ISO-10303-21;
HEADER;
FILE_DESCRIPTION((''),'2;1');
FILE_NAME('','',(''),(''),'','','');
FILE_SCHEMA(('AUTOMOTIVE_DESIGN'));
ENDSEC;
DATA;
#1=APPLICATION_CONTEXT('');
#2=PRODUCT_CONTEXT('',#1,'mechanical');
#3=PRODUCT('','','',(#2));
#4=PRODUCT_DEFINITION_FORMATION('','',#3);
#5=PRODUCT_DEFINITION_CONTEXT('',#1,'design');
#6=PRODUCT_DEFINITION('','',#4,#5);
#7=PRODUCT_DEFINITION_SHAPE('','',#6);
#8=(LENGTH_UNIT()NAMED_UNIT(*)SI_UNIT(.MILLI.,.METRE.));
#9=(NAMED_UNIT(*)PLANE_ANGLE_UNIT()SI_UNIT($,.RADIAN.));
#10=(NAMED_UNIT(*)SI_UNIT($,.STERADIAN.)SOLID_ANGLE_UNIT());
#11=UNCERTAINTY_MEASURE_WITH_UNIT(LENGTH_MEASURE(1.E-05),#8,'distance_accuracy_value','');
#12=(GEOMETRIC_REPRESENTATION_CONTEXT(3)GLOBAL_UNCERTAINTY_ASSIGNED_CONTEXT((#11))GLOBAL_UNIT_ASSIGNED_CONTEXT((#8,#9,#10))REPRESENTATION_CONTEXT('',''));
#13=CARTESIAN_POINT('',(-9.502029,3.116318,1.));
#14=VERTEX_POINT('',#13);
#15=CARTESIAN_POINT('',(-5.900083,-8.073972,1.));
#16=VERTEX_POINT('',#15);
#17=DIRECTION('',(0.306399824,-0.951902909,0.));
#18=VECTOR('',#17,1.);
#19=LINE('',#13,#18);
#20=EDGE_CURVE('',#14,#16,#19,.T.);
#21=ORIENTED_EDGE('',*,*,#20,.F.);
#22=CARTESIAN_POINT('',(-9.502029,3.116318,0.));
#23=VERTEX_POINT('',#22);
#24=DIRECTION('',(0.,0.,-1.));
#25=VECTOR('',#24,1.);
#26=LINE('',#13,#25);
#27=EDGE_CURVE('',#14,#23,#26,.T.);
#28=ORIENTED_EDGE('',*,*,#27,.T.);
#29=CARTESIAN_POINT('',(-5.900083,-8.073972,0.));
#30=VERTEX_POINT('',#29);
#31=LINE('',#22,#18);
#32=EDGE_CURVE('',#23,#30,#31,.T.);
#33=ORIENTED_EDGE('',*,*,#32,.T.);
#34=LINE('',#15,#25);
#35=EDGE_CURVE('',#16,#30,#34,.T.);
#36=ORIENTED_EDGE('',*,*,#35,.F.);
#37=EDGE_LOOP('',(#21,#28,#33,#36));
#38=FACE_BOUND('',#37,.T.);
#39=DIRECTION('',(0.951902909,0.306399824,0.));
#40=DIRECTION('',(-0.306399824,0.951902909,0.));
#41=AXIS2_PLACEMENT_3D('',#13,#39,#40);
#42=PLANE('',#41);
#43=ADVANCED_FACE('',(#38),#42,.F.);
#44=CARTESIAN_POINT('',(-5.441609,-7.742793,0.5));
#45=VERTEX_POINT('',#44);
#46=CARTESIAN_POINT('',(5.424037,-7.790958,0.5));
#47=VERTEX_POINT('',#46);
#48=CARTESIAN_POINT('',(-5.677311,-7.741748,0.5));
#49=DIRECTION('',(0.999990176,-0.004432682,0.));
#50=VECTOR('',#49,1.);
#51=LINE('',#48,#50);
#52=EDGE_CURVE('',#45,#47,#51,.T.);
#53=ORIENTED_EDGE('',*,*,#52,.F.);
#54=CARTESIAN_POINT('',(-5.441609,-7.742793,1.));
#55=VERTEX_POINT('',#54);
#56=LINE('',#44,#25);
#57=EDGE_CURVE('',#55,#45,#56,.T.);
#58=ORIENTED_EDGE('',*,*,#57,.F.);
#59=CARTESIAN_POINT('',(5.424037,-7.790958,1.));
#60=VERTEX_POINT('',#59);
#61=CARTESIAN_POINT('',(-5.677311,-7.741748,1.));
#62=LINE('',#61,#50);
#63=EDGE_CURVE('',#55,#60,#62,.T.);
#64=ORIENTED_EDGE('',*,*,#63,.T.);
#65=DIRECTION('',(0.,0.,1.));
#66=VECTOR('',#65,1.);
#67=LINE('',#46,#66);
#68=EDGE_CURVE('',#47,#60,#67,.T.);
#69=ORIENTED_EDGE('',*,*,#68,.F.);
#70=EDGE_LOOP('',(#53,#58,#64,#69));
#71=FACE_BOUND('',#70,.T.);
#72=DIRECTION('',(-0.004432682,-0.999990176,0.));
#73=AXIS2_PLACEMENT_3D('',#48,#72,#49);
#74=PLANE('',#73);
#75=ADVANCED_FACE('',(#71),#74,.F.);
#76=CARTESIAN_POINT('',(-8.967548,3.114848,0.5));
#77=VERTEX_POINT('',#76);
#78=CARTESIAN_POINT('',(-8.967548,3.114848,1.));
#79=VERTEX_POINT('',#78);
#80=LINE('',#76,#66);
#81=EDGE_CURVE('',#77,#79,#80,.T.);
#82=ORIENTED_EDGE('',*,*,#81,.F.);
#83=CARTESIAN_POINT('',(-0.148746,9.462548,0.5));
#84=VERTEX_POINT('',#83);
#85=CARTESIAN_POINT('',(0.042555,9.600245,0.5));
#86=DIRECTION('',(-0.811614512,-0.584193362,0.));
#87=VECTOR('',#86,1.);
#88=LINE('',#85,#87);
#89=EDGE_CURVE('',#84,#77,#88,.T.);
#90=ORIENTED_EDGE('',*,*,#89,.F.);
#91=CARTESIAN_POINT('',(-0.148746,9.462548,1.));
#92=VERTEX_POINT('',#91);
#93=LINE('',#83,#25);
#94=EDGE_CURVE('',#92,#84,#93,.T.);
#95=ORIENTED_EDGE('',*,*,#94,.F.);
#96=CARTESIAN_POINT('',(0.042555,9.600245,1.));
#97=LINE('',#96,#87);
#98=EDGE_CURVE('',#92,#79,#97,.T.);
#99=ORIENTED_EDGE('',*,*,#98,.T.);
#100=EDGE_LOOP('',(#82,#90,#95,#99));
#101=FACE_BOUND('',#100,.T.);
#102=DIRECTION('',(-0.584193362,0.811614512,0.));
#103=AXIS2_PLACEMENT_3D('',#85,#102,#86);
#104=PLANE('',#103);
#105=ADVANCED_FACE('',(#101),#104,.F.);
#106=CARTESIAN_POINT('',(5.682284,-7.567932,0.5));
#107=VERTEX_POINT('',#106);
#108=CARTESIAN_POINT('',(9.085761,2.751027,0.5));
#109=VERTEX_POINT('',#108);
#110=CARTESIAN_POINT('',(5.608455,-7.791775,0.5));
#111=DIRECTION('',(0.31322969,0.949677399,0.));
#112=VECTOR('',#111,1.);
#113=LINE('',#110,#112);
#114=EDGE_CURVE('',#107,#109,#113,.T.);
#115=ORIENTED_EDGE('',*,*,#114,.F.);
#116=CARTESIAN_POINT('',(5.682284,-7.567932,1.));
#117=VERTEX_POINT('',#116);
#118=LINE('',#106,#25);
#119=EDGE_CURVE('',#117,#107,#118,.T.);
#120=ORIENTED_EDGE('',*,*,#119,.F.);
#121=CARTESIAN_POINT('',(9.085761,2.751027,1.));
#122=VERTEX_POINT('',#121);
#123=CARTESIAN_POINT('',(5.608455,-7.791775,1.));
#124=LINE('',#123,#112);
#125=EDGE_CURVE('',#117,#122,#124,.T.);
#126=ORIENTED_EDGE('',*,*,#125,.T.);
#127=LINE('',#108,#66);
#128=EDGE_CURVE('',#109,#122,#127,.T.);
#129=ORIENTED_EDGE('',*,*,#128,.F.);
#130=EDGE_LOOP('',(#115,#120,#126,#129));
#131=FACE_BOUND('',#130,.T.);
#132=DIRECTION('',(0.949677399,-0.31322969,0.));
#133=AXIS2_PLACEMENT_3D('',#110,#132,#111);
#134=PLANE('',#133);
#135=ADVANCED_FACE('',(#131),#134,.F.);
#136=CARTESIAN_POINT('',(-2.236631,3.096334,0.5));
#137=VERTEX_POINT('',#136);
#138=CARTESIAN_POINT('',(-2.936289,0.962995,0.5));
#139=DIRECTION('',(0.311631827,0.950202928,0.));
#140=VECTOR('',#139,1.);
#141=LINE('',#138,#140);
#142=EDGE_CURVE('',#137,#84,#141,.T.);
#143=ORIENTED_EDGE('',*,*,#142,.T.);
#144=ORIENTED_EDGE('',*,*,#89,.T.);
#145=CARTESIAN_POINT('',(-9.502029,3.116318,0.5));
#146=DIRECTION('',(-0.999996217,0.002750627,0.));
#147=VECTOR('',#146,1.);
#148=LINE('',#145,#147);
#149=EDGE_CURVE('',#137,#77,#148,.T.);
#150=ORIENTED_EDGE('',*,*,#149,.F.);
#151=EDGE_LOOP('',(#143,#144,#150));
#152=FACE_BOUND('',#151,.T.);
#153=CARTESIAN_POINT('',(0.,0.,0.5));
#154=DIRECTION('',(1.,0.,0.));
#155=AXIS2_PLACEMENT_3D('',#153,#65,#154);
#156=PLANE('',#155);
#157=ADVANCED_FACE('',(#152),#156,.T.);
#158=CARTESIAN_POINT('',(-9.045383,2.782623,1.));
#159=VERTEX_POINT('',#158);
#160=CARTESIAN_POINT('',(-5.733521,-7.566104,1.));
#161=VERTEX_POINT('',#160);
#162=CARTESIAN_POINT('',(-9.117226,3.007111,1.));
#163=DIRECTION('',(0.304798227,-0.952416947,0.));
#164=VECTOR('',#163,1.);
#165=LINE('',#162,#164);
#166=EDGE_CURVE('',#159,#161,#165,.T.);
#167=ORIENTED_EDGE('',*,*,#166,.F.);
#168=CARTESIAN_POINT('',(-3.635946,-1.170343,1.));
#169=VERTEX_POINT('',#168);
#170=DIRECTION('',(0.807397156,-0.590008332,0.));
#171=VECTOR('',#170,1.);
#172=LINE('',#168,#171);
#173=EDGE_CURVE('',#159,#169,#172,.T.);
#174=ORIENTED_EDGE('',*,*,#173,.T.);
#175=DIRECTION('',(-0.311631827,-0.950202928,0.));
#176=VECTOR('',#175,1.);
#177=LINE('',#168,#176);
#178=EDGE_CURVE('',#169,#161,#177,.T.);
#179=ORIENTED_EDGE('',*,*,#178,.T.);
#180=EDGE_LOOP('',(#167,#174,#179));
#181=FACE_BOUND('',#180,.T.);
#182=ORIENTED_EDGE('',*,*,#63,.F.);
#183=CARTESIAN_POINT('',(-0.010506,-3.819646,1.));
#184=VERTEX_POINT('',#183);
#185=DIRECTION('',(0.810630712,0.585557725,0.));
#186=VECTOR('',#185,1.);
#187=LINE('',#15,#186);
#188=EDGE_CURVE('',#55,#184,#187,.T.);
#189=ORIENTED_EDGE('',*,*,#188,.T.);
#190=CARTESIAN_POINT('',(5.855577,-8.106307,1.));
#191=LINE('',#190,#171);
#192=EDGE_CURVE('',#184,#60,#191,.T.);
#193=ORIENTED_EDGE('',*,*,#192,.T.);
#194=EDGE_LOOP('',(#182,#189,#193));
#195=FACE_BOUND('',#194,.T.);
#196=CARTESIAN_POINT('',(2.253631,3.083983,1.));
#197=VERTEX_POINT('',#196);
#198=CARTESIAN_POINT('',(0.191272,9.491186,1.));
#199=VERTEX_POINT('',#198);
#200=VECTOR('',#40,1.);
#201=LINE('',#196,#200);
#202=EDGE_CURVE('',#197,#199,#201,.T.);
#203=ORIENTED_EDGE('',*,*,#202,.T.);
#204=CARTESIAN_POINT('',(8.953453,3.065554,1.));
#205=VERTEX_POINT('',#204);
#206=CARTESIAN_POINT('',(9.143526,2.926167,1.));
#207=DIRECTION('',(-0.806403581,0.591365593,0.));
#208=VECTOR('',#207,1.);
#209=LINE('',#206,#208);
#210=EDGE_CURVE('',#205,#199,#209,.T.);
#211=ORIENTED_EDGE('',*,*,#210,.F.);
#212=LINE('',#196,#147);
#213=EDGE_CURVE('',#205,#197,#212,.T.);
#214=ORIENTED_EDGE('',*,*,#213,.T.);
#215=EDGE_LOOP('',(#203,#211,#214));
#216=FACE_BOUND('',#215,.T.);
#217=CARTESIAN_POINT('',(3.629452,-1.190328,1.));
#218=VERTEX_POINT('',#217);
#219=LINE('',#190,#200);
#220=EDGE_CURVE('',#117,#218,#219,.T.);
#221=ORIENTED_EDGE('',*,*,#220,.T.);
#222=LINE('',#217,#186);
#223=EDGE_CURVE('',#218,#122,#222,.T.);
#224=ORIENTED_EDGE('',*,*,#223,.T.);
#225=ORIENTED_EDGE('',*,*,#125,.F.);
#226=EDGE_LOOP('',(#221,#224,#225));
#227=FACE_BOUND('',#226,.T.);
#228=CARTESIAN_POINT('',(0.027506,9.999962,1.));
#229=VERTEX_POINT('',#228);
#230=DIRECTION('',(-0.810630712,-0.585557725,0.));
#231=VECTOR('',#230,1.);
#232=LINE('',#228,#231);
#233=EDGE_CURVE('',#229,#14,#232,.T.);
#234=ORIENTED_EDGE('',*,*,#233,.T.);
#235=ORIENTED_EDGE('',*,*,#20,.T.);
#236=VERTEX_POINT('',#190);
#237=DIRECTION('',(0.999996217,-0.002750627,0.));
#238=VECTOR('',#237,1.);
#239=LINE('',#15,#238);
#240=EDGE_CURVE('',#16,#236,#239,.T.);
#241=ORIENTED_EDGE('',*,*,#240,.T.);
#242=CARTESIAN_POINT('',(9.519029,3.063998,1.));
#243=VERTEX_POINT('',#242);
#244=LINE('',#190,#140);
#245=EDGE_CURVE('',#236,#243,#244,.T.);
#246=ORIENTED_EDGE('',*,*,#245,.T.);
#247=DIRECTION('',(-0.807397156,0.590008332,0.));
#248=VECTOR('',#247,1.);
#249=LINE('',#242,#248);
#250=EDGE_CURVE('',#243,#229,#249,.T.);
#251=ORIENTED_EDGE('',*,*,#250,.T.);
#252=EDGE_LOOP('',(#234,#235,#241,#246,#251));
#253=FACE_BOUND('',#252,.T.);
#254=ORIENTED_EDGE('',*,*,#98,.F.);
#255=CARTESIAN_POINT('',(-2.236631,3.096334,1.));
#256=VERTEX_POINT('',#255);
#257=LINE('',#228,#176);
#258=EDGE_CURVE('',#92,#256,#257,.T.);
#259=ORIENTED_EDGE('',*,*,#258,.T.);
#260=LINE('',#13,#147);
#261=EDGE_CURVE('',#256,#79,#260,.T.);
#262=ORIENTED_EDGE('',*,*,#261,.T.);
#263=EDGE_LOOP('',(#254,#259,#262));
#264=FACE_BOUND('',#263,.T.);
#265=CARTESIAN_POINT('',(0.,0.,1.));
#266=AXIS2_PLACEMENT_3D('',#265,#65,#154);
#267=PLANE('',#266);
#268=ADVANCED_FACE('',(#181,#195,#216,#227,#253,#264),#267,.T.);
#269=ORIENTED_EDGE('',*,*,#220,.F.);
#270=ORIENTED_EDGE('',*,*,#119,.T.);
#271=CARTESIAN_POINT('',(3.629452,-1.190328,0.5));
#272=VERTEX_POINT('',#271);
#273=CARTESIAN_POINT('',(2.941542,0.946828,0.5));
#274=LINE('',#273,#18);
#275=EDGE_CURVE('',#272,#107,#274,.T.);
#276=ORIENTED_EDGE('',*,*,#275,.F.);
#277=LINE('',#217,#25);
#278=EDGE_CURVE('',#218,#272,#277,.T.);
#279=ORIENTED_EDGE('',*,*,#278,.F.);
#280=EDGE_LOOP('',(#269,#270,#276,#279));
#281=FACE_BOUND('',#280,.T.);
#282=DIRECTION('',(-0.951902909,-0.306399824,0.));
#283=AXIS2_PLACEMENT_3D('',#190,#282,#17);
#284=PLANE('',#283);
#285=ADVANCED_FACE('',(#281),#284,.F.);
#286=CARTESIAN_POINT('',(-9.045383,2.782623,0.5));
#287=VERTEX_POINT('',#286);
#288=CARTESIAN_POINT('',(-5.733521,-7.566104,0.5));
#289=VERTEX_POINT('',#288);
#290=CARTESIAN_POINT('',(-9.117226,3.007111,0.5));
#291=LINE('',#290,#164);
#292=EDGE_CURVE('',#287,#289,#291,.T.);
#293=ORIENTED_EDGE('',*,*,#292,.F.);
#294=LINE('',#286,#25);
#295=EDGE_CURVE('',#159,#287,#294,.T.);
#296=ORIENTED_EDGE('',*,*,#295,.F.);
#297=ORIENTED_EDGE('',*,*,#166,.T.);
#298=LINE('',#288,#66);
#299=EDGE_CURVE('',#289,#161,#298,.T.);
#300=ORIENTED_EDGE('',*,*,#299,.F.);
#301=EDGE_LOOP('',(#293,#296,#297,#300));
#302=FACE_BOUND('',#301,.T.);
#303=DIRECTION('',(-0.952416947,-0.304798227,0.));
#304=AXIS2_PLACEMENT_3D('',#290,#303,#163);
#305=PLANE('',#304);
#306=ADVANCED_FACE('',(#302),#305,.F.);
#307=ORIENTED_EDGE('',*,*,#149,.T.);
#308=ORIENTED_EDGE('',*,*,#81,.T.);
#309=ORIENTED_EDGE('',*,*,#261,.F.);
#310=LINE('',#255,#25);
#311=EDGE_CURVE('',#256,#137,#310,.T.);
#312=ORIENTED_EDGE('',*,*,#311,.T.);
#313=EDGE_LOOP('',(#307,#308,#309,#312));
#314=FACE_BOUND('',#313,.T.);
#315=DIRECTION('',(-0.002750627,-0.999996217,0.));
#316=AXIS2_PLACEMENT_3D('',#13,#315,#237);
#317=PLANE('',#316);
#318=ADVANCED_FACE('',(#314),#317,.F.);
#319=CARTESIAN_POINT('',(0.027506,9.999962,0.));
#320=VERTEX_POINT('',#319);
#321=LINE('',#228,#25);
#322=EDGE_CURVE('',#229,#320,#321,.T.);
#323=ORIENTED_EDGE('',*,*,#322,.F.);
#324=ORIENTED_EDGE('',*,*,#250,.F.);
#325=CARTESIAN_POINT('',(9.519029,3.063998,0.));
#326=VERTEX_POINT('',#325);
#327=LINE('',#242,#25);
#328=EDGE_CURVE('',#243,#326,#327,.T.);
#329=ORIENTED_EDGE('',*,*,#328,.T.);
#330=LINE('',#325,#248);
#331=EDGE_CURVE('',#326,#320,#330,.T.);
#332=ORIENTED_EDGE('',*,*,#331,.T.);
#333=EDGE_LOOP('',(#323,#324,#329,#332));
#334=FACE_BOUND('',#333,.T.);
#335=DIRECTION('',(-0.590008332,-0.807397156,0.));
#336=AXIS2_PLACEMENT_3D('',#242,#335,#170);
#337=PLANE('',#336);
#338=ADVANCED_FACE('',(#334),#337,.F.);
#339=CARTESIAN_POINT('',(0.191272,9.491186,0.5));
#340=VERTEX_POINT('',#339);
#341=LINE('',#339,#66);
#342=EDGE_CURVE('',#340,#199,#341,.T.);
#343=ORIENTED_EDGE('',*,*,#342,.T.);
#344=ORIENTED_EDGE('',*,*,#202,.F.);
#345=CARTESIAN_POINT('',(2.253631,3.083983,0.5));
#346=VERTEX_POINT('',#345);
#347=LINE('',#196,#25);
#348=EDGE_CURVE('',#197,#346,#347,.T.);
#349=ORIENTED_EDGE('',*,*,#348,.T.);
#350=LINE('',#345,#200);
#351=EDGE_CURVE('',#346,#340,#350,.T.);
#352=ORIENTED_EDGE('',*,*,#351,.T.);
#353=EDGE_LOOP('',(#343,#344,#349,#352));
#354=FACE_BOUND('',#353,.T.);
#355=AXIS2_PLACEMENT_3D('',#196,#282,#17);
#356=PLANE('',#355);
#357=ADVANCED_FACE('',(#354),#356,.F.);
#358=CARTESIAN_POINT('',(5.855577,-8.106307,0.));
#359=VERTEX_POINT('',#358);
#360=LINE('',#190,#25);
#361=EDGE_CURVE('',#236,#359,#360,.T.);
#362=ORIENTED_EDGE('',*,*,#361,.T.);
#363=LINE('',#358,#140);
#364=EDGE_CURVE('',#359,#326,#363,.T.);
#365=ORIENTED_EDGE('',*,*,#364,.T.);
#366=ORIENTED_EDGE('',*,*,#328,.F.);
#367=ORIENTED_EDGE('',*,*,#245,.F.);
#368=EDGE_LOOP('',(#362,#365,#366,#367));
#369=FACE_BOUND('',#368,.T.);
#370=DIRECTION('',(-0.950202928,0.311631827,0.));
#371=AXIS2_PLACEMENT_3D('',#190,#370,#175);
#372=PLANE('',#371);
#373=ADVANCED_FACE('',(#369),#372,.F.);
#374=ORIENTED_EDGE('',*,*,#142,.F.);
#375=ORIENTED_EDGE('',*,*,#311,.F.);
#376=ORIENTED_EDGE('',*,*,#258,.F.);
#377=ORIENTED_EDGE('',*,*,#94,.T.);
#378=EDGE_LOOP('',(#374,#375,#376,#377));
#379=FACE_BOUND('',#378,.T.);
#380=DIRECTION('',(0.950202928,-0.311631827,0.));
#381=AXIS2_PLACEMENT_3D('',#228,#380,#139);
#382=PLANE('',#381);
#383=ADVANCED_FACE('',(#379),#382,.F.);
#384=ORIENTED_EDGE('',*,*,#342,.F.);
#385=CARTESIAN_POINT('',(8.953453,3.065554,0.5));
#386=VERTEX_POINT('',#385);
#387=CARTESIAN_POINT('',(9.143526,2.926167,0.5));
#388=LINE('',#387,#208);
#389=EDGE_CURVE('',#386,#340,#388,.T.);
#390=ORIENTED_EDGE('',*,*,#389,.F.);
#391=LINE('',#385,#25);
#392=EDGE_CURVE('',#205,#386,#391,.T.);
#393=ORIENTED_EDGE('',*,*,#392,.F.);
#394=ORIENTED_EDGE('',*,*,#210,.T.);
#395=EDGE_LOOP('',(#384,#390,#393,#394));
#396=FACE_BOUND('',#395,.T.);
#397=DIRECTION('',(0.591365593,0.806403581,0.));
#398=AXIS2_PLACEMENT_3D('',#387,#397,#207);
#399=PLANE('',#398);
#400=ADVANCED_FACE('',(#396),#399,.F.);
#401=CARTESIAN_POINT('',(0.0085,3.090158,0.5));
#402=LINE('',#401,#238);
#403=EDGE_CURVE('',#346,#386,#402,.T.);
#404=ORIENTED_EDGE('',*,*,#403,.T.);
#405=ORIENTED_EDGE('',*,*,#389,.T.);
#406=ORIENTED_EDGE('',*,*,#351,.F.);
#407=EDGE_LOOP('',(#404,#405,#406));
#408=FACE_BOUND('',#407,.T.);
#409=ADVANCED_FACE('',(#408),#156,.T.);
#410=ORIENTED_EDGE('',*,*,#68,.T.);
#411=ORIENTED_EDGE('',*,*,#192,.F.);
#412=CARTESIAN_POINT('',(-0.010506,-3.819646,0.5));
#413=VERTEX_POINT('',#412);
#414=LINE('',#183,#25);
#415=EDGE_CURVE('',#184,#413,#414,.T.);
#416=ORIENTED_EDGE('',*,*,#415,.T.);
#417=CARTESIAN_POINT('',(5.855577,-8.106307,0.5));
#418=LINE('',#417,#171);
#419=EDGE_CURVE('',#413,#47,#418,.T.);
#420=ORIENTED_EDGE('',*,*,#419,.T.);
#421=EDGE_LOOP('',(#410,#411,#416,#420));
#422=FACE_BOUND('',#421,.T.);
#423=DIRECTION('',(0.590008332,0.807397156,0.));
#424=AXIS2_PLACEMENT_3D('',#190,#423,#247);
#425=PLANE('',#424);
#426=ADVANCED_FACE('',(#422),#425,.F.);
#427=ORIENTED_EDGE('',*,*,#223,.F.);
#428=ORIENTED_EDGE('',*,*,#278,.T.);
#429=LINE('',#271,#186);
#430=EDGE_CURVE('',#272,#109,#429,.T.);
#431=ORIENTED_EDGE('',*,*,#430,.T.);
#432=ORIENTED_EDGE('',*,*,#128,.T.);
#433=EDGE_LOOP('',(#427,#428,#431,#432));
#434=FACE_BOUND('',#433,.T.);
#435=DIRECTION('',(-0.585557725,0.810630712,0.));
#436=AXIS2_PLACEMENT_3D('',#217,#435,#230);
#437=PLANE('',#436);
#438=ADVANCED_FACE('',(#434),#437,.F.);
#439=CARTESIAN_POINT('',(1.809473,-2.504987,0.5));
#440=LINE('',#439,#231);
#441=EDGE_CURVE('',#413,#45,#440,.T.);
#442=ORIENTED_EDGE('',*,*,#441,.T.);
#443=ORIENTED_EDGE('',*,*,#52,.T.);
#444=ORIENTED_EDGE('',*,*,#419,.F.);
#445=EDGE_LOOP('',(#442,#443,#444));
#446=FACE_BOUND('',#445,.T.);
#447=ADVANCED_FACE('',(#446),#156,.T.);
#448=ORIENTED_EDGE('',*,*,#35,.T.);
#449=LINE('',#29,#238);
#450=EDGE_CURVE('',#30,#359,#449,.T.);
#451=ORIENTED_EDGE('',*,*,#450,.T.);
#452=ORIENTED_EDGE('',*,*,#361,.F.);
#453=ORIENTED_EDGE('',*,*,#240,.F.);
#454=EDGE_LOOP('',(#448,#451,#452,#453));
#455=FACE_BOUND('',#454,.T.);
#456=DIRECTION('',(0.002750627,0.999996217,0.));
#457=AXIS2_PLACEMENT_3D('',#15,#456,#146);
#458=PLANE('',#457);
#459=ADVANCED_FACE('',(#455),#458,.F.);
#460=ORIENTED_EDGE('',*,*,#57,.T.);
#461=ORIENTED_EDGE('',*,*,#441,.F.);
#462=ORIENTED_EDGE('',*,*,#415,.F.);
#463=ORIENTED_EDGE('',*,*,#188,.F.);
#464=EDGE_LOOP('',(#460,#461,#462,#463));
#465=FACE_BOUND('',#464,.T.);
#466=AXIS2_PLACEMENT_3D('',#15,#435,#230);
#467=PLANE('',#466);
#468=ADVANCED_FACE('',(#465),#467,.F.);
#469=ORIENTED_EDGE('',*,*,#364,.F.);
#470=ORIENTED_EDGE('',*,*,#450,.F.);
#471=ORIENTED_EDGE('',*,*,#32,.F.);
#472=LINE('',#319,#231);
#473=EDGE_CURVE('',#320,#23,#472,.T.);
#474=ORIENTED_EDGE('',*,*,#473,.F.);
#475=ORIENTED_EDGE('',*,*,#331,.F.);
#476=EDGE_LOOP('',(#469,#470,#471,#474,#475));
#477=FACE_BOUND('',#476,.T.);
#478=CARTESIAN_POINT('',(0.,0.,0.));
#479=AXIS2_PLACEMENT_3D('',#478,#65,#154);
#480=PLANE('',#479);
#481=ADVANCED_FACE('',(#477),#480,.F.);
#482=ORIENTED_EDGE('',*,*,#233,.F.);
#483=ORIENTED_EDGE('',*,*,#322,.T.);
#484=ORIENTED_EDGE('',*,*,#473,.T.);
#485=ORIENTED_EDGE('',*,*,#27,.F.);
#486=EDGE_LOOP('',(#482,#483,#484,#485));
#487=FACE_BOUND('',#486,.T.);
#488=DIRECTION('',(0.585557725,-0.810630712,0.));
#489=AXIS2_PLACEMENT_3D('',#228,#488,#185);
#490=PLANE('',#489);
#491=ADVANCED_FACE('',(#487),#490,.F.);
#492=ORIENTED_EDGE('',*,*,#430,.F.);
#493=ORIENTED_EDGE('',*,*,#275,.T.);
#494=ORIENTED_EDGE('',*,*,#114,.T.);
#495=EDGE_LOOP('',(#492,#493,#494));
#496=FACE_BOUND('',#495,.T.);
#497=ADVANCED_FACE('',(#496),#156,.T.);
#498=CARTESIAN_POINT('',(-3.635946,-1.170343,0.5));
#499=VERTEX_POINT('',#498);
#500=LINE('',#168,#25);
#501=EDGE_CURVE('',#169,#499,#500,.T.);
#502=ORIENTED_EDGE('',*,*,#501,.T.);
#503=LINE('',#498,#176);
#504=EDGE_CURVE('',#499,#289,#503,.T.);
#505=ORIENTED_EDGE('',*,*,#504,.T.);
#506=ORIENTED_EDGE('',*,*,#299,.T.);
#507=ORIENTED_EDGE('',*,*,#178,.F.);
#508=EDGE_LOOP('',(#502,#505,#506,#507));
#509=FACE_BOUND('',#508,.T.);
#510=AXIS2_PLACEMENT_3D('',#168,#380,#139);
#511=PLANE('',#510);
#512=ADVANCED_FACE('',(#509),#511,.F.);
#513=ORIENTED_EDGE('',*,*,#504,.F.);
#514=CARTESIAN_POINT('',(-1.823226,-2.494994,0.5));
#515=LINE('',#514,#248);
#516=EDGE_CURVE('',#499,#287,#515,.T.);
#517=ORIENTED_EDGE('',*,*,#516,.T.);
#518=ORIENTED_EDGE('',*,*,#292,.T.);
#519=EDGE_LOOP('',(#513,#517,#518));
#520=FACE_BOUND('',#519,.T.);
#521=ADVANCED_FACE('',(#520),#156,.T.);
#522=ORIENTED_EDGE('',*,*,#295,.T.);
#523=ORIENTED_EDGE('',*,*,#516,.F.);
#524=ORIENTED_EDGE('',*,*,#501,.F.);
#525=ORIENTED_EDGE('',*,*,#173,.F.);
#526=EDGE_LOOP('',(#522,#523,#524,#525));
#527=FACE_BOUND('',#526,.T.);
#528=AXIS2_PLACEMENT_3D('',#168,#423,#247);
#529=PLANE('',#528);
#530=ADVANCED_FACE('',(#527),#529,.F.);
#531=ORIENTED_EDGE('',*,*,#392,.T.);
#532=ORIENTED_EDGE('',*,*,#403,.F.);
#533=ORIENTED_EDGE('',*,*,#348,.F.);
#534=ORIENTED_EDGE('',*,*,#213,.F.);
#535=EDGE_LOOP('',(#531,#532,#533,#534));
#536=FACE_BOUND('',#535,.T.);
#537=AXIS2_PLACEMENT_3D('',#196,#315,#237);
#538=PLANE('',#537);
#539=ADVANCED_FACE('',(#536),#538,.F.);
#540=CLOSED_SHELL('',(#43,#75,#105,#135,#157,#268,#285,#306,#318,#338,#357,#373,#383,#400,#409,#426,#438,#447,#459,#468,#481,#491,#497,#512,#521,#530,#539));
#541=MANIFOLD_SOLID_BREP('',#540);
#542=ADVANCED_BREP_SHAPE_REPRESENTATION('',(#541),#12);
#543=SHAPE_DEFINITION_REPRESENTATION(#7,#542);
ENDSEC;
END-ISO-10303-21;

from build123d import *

# Parameters (mm, degrees)
SALIENTE_EXTRUIR1_DEPTH = 1
CORTAR_EXTRUIR1_DEPTH   = 0.5
SALIENTE_EXTRUIR2_DEPTH = 0.5


with BuildPart() as part:
    # Croquis1 → Saliente-Extruir1 (new body)
    with BuildSketch(Plane.XY):
        Polygon((0.027506267, 9.99996217), (-9.502029281, 3.116318268), (-5.900083324, -8.073971561), (5.85557725, -8.106307117), (9.519029089, 3.063998239), align=None)
    extrude(amount=SALIENTE_EXTRUIR1_DEPTH)

    # Croquis2 → Cortar-Extruir1 (cut)
    with BuildSketch(Plane.XY.offset(1)):
        Polygon((0.042555256, 9.600245361), (-9.117225611, 3.00711142), (-5.677310567, -7.741748295), (5.608454716, -7.791774999), (9.143526206, 2.926166513), align=None)
    extrude(amount=-CORTAR_EXTRUIR1_DEPTH, mode=Mode.SUBTRACT)

    # Croquis3 → Saliente-Extruir2 (add)
    with BuildSketch(Plane.XY.offset(0.5)):
        Polygon((-5.900083324, -8.073971561), (-0.010506459, -3.819645663), (5.85557725, -8.106307117), (3.629452223, -1.190327659), (9.519029089, 3.063998239), (2.253631293, 3.083982712), (0.027506267, 9.99996217), (-2.236631486, 3.096333795), (-9.502029281, 3.116318268), (-3.635945572, -1.170343186), align=None)
    extrude(amount=SALIENTE_EXTRUIR2_DEPTH)


solid = part.part
